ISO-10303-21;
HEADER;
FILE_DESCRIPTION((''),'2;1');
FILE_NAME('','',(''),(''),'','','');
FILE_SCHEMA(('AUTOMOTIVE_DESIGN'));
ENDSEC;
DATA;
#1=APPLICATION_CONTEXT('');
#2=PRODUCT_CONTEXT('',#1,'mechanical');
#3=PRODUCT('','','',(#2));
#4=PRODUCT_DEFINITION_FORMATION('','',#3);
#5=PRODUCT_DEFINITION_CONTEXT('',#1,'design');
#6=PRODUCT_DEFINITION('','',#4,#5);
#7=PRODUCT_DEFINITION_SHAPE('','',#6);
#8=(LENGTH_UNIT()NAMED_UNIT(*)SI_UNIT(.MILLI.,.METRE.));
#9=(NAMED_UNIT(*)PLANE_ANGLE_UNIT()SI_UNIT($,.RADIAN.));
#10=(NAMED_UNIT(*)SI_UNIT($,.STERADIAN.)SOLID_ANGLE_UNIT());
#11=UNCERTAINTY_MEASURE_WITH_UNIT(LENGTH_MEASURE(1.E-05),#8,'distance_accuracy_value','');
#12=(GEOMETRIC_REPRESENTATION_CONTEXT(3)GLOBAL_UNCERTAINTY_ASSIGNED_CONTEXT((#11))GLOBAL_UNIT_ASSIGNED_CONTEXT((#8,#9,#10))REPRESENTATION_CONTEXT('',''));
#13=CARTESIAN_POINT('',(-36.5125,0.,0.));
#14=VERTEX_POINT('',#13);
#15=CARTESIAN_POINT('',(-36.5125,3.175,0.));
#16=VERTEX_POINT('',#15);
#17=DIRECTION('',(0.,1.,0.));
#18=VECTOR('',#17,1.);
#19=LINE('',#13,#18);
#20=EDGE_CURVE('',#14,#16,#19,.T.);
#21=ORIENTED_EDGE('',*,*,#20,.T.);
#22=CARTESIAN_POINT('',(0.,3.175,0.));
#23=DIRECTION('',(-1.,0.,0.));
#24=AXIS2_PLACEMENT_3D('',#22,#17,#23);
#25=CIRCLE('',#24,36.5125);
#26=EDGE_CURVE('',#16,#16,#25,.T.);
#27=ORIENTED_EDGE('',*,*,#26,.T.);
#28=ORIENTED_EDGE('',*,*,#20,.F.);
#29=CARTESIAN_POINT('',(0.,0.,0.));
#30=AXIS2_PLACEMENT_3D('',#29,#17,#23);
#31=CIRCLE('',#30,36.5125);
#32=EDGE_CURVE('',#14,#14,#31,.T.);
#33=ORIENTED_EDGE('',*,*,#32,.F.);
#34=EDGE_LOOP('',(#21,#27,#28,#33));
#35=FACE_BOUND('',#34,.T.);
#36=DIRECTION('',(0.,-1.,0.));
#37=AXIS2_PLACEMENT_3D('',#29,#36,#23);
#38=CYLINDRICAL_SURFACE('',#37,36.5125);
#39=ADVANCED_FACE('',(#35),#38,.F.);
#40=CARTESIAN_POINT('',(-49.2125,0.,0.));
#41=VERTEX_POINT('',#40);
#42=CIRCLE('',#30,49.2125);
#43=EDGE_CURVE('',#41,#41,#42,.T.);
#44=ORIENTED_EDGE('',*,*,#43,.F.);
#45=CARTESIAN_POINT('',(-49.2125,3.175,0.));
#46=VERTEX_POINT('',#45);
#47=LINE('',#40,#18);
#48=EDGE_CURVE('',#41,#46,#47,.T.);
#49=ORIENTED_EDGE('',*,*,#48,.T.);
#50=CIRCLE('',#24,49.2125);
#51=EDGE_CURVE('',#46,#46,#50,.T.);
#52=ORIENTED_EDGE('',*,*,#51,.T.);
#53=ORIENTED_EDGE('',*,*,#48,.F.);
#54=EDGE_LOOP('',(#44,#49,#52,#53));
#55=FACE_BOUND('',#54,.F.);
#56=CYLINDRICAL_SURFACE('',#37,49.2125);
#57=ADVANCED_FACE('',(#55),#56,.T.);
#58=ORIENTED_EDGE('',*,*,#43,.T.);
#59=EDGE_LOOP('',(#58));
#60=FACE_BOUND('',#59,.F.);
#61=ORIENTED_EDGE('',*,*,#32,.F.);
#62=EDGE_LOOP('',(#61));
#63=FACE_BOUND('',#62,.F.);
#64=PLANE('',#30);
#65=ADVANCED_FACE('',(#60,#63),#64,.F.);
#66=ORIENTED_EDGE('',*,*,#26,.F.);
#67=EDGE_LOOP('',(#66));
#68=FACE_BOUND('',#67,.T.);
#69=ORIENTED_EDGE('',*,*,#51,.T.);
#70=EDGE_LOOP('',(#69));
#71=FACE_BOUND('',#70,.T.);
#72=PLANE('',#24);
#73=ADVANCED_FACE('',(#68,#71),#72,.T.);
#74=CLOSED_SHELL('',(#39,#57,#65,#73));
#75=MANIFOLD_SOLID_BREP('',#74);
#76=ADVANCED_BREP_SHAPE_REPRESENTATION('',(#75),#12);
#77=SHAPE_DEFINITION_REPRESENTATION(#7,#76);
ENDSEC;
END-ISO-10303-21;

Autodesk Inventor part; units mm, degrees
ref_plane "YZ Plane" through (0, 0, 0) normal (1, 0, 0) x (0, 1, 0)
ref_plane "XZ Plane" through (0, 0, 0) normal (0, 1, 0) x (-1, 0, 0)
ref_plane "XY Plane" through (0, 0, 0) normal (0, 0, 1) x (1, 0, 0)
sketch "Sketch1" plane through (0, 0, 0) normal (0, 1, 0) x (-1, 0, 0)
  circle A0 centre (0, 0) radius 49.2125
  circle A1 centre (0, 0) radius 36.5125
  dimension "d0" = 98.425
  dimension "d1" = 73.025
extrude "Extrusion1" add sketch "Sketch1" along normal blind 3.175
properties part number "Ring Vortex Finder"
